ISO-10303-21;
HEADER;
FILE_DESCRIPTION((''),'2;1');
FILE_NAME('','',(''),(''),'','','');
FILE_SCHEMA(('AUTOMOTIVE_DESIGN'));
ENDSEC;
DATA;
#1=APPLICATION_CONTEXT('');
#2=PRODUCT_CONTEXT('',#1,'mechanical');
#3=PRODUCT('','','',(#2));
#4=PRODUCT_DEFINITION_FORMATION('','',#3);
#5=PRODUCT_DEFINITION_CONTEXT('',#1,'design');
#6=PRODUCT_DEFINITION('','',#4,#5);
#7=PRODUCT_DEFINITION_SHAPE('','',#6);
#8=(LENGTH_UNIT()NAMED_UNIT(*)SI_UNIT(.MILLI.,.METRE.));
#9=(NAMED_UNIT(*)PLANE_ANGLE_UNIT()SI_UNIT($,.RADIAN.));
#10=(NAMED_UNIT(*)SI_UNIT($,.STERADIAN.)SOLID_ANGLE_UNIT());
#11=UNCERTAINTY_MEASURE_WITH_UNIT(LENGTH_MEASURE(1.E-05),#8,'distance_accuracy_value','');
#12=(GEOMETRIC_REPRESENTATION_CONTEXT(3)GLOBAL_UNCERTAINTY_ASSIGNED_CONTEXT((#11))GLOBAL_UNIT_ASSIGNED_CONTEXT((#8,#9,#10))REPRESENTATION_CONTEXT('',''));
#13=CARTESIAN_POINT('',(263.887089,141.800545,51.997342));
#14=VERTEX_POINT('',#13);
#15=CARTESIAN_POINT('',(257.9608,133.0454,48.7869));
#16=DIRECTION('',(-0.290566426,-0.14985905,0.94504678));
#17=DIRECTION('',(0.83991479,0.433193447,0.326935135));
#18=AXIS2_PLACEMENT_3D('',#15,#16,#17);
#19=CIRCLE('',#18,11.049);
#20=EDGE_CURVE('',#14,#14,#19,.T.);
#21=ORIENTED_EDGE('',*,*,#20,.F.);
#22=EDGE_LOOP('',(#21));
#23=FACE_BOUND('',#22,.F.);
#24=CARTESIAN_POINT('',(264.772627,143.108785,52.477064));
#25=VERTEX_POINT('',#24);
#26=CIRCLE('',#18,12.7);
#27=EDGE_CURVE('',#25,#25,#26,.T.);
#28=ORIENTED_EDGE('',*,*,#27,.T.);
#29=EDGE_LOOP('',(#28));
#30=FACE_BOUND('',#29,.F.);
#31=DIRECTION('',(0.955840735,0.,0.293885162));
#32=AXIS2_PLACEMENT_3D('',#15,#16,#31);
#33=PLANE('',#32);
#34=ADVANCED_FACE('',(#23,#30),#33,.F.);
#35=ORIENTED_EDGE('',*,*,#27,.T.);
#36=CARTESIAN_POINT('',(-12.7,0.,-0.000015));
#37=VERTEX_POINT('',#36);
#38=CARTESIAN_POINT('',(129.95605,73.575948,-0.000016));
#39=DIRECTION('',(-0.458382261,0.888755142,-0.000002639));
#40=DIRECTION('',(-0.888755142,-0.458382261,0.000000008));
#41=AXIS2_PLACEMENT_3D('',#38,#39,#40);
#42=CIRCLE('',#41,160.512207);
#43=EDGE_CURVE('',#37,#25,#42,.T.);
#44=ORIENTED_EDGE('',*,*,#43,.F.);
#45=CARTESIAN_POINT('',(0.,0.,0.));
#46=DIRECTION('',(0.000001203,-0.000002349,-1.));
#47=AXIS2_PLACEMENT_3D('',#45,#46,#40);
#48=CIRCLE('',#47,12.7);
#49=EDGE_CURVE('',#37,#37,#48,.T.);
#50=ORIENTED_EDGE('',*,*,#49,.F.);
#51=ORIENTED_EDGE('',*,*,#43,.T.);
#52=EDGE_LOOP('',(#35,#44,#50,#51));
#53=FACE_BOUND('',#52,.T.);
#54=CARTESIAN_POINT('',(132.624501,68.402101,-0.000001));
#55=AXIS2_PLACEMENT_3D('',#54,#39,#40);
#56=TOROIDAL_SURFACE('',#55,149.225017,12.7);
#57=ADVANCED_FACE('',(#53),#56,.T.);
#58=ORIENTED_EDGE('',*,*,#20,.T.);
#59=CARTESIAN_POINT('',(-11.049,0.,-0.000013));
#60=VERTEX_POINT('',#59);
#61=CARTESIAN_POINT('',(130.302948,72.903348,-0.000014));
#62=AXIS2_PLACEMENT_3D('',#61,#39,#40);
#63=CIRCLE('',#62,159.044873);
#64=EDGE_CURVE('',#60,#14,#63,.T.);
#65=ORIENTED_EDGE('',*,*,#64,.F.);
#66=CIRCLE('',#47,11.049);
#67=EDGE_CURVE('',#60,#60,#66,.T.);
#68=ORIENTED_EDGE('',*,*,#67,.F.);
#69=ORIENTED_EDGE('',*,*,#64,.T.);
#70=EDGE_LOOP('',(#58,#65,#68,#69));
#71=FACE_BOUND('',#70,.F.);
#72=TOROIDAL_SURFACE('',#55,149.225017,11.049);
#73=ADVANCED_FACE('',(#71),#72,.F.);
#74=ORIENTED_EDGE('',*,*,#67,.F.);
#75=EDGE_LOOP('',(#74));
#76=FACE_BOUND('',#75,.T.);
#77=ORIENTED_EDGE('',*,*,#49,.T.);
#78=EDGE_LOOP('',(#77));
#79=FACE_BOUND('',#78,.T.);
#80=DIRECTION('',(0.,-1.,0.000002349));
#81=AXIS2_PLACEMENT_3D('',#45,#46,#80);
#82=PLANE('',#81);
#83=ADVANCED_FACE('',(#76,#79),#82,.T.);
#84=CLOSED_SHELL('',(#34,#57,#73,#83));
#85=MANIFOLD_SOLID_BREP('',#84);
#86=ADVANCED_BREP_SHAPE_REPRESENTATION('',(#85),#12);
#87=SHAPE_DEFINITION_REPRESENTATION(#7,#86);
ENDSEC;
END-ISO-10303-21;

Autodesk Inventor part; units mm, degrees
sketch "Sketch" plane through (0, 0, 0) normal (0, 0, -1) x (-1, 0, 0)
  circle A0 centre (0, 0) radius 12.7
  circle A1 centre (0, 0) radius 11.049
  dimension "d0" = 25.4
  dimension "d1" = 1.651
ref_plane "Start Plane" through (0, 0, 0) normal (1, 0, 0) x (0, 1, 0)
ref_plane "End Plane" through (419.1034, 0, 0) normal (1, 0, 0) x (0, 1, 0)
sketch "Sketch2" plane through (0, 0, 0) normal (1, 0, 0) x (0, 1, 0)
  line L0 (0, 0) -> (10, 0)
ref_plane "Work Plane3" through (0, 0, 0) normal (0, 0, -1) x (0, 1, 0)
sketch "Sketch3" plane through (0, 0, 0) normal (0, 0, -1) x (0, 1, 0)
  line L0 (-2, 0) -> (12, 0)
  line L1 (-44.3604, 419.1034) -> (177.2623, 419.1034)
  dimension "d9" = 419.1034
ref_plane "Orientation Work Plane" through (0, 0, 0) normal (0, 0, -1) x (-1, 0, 0)
sketch3d "Sweep Path"
  arc A0 (0, 0, 0) -> (257.9608, 133.0454, 48.7869) centre (132.6245, 68.4021, 0) ccw
sweep "Body" add profiles "Sketch" path "Sweep Path"
equation "\"G_OFFSET_START\" = 0"
equation "\"G_OFFSET_END\" = 0"
equation "\"d5\" = d2 + G_OFFSET_END"
equation "\"G_L\" = d9"
equation "\"d2\" = 419.103436"
properties part number "4130_1x0.065" material "Steel, Alloy"
